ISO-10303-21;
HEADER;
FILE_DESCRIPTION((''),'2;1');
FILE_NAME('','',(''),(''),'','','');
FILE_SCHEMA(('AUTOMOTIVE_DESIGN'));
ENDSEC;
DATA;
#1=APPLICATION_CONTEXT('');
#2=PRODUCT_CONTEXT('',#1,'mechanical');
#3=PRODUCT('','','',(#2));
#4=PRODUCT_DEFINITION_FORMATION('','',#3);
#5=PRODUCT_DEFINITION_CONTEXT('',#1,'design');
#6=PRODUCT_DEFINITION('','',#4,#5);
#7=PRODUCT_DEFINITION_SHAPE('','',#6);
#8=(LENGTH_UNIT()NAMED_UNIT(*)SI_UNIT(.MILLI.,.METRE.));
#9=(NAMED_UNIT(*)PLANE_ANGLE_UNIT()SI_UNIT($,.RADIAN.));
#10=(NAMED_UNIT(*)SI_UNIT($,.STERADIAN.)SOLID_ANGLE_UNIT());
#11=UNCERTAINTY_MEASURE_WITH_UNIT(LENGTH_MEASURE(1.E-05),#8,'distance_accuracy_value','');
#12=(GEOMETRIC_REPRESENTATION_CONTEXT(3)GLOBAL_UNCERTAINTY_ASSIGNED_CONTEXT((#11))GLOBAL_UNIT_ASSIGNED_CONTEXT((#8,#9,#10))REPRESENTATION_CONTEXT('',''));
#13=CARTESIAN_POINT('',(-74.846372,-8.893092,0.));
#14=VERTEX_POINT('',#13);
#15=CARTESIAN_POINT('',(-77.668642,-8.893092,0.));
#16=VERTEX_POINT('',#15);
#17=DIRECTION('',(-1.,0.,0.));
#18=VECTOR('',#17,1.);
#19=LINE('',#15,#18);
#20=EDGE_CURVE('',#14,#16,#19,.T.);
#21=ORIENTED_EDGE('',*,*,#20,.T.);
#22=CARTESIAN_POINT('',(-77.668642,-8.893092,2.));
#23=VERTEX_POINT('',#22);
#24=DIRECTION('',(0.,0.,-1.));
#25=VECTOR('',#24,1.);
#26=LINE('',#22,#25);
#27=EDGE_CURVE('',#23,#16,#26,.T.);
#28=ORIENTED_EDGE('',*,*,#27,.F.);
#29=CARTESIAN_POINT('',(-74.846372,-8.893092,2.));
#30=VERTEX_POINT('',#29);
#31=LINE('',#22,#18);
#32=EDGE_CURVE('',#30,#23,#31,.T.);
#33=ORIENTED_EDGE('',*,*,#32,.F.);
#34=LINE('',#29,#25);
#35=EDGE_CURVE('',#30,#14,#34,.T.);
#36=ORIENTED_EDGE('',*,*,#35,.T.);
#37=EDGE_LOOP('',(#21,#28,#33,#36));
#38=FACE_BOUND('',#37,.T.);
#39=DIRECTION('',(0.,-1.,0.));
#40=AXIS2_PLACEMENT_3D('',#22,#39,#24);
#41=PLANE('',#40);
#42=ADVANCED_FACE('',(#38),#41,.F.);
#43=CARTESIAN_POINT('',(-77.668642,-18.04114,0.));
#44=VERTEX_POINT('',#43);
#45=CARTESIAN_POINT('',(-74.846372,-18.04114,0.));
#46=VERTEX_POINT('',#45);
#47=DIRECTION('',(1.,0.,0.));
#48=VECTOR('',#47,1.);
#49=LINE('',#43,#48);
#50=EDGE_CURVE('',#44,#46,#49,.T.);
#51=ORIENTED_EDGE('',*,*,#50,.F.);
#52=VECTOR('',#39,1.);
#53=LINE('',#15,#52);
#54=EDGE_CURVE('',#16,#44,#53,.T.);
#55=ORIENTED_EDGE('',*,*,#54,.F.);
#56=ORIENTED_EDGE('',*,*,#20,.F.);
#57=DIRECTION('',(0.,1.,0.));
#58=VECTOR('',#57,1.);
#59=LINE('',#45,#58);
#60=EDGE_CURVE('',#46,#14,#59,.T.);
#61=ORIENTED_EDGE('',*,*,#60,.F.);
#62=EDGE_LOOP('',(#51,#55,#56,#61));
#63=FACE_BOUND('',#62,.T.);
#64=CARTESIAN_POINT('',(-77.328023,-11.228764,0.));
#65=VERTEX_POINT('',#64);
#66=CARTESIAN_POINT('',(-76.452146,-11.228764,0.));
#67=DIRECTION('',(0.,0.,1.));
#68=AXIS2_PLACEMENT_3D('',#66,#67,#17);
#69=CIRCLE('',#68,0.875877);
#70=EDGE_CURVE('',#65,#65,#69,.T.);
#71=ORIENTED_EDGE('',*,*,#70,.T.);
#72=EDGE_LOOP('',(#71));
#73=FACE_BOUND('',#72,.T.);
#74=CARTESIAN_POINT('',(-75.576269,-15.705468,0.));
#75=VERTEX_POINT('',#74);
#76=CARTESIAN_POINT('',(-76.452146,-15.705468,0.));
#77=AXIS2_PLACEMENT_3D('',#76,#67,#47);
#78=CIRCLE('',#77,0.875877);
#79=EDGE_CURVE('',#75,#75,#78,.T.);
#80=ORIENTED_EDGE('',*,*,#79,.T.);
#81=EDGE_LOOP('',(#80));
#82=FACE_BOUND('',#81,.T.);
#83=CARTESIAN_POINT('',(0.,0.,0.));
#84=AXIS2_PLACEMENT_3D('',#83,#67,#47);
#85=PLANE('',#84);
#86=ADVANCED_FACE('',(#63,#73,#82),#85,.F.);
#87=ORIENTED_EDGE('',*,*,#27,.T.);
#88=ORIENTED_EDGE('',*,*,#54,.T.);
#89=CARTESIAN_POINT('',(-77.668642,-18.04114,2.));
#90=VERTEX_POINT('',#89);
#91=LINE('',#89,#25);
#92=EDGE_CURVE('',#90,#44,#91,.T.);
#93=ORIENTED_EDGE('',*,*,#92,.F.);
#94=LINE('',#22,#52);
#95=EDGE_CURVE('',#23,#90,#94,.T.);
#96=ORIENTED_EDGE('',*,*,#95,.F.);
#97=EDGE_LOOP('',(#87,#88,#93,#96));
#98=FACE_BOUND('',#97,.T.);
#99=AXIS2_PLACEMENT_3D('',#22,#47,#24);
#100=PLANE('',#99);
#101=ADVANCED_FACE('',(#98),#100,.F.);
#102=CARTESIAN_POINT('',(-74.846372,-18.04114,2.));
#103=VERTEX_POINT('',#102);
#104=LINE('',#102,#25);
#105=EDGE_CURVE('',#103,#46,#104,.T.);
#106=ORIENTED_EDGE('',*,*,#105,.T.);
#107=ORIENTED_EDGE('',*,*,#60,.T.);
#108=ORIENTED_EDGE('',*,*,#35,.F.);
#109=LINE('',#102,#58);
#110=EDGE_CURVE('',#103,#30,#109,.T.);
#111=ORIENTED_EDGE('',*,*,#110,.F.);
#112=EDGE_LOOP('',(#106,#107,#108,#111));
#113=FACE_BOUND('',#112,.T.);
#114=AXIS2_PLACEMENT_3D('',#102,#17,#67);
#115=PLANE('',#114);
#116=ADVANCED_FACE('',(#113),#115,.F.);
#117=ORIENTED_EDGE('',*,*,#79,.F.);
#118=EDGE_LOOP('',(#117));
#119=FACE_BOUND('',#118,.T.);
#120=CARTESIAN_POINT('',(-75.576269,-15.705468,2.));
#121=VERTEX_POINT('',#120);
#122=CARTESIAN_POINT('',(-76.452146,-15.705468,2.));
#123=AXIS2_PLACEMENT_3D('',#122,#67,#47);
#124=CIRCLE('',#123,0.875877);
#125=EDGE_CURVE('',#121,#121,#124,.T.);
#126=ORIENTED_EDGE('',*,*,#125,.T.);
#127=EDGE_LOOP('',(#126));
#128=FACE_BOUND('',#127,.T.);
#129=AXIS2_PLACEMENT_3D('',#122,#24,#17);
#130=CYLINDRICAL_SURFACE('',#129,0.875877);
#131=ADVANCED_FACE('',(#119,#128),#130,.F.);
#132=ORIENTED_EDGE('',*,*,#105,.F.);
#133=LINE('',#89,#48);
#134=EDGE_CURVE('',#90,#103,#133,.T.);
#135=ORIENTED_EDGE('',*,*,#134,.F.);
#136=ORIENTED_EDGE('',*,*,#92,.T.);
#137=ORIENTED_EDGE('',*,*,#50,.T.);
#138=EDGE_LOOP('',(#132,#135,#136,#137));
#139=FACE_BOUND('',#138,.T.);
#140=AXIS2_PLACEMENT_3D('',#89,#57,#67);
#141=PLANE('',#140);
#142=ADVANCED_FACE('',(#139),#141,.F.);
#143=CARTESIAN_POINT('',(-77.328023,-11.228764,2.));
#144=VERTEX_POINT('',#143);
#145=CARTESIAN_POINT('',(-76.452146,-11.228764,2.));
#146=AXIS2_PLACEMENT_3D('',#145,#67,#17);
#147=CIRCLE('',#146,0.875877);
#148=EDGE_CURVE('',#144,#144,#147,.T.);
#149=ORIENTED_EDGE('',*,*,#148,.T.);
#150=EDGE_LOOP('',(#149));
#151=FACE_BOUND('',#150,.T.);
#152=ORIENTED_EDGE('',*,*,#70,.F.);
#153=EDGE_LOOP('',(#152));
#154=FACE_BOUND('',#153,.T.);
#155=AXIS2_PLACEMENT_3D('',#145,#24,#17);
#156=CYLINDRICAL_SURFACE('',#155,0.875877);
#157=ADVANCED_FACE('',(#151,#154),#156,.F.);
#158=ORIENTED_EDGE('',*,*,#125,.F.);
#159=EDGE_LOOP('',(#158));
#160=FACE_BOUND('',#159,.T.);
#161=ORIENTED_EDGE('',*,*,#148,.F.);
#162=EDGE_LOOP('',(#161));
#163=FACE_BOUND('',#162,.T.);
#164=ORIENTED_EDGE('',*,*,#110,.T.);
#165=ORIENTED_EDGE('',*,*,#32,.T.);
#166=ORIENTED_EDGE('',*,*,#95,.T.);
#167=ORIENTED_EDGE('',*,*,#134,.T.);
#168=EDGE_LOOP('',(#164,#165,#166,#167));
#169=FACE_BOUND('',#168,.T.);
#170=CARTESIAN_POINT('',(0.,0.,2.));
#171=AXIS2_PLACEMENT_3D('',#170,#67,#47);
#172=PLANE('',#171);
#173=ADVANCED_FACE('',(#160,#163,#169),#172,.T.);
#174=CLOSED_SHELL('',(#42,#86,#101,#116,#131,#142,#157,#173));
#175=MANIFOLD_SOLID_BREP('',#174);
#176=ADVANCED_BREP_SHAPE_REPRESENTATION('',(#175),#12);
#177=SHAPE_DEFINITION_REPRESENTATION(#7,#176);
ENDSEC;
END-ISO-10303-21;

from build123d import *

# Parameters (mm, degrees)
SKETCH_2_W      = 2.822270054
SKETCH_2_H      = 9.148047763
SKETCH_2_R      = 0.875876913
EXTRUDE_1_DEPTH = 2


with BuildPart() as part:
    # 草图2 → 凸台-拉伸1 (new body)
    with BuildSketch(Plane.XY):
        with Locations((-76.257506751, -13.467115792)):
            Rectangle(SKETCH_2_W, SKETCH_2_H)
        with Locations((-76.452146065, -15.705467904)):
            Circle(SKETCH_2_R, mode=Mode.SUBTRACT)
        with Locations(Location((-76.452146065, -11.22876368, 0), (0, 0, 180))):
            Circle(SKETCH_2_R, mode=Mode.SUBTRACT)
    extrude(amount=EXTRUDE_1_DEPTH)


solid = part.part
